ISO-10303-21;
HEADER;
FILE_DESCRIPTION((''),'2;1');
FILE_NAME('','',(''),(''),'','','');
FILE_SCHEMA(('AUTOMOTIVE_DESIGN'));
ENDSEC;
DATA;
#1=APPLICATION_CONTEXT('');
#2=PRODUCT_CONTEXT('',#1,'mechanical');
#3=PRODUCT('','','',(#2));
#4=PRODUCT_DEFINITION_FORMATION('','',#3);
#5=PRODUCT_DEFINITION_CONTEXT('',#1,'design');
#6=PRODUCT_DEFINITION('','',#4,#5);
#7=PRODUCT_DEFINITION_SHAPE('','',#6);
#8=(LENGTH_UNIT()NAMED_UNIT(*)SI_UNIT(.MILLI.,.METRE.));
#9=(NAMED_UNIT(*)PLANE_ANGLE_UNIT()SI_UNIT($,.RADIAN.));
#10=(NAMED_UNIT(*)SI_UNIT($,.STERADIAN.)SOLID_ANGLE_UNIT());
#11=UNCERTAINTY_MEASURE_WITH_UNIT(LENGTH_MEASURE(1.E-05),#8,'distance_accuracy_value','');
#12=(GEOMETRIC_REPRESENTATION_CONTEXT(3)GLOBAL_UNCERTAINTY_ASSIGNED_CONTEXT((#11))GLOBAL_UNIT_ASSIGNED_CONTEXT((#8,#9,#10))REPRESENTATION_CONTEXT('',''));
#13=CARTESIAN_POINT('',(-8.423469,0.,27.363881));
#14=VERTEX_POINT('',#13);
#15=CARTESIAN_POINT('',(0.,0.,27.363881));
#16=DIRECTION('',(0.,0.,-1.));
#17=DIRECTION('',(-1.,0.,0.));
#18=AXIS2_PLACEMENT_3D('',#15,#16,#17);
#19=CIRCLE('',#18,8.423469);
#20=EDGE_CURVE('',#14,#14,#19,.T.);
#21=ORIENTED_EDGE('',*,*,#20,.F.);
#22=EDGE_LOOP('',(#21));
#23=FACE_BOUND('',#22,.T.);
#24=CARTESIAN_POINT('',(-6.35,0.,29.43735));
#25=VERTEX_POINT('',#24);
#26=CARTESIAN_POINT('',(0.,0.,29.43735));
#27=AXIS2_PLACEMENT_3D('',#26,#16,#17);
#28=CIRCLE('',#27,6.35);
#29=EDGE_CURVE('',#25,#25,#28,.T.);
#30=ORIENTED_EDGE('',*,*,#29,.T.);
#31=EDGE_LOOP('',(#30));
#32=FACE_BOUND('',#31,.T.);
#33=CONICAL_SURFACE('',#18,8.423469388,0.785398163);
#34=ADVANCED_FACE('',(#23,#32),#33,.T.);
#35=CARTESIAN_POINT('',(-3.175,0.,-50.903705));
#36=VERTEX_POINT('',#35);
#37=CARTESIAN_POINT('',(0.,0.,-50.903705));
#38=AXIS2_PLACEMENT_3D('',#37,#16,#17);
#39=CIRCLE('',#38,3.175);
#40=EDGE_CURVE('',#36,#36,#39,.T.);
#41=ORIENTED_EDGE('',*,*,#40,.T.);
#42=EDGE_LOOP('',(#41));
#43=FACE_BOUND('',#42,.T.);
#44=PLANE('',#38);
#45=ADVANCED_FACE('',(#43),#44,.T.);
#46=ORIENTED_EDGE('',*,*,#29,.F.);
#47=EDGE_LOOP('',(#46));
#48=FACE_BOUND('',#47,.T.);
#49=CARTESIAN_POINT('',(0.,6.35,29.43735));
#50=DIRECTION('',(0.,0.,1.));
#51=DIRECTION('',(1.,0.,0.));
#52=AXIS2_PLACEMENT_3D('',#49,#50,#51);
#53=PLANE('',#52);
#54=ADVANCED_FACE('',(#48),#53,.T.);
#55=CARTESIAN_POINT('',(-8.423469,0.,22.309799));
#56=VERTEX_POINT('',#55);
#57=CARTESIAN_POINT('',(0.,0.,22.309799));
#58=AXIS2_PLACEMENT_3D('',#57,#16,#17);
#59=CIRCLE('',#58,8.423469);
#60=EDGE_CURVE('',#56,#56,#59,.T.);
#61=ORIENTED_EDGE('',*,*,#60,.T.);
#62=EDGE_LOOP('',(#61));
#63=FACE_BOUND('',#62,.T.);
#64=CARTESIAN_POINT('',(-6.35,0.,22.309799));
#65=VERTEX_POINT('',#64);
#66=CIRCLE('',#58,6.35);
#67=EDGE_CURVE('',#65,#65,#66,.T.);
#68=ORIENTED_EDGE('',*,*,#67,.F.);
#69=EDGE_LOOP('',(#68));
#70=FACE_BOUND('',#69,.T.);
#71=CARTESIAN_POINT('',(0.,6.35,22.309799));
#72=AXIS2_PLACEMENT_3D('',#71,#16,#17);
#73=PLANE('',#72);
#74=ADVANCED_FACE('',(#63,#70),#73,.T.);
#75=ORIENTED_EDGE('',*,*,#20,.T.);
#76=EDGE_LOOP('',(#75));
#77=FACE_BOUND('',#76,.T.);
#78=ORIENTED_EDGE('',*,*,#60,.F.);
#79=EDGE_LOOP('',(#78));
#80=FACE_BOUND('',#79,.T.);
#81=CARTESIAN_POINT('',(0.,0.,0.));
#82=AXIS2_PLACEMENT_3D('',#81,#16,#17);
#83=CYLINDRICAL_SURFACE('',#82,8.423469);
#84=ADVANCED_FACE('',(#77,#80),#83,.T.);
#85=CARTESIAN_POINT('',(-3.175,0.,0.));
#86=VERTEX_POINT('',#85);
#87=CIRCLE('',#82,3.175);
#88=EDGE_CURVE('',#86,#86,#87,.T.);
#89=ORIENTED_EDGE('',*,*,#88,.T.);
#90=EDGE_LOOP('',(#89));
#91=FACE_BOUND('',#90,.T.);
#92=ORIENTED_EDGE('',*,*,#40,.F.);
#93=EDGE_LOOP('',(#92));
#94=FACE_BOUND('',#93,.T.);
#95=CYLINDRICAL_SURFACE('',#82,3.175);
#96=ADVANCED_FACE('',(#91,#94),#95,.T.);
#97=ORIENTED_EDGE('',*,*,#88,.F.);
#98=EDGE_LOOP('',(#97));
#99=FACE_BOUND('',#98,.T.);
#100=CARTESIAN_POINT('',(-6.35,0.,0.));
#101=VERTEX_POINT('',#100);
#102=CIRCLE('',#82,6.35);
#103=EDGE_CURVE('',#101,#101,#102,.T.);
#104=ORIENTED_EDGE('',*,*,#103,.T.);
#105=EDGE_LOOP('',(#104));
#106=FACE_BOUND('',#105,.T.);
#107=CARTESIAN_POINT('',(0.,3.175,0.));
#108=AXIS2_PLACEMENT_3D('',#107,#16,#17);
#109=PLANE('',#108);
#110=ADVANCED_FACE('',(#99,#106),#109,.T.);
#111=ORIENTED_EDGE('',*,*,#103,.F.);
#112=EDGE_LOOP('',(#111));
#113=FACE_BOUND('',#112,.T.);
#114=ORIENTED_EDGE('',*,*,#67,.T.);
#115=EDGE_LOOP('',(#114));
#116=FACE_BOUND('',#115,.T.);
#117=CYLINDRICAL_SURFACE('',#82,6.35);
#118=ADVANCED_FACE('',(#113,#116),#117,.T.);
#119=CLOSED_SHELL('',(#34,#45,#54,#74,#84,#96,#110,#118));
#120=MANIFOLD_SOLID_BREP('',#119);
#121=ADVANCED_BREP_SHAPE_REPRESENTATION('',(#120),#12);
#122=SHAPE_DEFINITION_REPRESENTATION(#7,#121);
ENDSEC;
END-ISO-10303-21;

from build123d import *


with BuildPart() as part:
    # Sketch1 → Revolve1 (revolve)
    with BuildSketch(Plane(origin=(0, 0, 0), x_dir=(0, 0, -1), z_dir=(1, 0, 0)), mode=Mode.PRIVATE) as revolve1_sk:
        Polygon((0, 6.35), (-22.309799068, 6.35), (-22.309799068, 8.423469388), (-27.363880701, 8.423469388), (-29.437350089, 6.35), (-29.437350089, 0), (50.903704825, 0), (50.903704825, 3.175), (0, 3.175), align=None)
    revolve(revolve1_sk.sketch.rotate(Axis((0, 0, 0), (0, 0, 1)), 90), axis=Axis((0, 0, 0), (0, 0, 1)))


solid = part.part
